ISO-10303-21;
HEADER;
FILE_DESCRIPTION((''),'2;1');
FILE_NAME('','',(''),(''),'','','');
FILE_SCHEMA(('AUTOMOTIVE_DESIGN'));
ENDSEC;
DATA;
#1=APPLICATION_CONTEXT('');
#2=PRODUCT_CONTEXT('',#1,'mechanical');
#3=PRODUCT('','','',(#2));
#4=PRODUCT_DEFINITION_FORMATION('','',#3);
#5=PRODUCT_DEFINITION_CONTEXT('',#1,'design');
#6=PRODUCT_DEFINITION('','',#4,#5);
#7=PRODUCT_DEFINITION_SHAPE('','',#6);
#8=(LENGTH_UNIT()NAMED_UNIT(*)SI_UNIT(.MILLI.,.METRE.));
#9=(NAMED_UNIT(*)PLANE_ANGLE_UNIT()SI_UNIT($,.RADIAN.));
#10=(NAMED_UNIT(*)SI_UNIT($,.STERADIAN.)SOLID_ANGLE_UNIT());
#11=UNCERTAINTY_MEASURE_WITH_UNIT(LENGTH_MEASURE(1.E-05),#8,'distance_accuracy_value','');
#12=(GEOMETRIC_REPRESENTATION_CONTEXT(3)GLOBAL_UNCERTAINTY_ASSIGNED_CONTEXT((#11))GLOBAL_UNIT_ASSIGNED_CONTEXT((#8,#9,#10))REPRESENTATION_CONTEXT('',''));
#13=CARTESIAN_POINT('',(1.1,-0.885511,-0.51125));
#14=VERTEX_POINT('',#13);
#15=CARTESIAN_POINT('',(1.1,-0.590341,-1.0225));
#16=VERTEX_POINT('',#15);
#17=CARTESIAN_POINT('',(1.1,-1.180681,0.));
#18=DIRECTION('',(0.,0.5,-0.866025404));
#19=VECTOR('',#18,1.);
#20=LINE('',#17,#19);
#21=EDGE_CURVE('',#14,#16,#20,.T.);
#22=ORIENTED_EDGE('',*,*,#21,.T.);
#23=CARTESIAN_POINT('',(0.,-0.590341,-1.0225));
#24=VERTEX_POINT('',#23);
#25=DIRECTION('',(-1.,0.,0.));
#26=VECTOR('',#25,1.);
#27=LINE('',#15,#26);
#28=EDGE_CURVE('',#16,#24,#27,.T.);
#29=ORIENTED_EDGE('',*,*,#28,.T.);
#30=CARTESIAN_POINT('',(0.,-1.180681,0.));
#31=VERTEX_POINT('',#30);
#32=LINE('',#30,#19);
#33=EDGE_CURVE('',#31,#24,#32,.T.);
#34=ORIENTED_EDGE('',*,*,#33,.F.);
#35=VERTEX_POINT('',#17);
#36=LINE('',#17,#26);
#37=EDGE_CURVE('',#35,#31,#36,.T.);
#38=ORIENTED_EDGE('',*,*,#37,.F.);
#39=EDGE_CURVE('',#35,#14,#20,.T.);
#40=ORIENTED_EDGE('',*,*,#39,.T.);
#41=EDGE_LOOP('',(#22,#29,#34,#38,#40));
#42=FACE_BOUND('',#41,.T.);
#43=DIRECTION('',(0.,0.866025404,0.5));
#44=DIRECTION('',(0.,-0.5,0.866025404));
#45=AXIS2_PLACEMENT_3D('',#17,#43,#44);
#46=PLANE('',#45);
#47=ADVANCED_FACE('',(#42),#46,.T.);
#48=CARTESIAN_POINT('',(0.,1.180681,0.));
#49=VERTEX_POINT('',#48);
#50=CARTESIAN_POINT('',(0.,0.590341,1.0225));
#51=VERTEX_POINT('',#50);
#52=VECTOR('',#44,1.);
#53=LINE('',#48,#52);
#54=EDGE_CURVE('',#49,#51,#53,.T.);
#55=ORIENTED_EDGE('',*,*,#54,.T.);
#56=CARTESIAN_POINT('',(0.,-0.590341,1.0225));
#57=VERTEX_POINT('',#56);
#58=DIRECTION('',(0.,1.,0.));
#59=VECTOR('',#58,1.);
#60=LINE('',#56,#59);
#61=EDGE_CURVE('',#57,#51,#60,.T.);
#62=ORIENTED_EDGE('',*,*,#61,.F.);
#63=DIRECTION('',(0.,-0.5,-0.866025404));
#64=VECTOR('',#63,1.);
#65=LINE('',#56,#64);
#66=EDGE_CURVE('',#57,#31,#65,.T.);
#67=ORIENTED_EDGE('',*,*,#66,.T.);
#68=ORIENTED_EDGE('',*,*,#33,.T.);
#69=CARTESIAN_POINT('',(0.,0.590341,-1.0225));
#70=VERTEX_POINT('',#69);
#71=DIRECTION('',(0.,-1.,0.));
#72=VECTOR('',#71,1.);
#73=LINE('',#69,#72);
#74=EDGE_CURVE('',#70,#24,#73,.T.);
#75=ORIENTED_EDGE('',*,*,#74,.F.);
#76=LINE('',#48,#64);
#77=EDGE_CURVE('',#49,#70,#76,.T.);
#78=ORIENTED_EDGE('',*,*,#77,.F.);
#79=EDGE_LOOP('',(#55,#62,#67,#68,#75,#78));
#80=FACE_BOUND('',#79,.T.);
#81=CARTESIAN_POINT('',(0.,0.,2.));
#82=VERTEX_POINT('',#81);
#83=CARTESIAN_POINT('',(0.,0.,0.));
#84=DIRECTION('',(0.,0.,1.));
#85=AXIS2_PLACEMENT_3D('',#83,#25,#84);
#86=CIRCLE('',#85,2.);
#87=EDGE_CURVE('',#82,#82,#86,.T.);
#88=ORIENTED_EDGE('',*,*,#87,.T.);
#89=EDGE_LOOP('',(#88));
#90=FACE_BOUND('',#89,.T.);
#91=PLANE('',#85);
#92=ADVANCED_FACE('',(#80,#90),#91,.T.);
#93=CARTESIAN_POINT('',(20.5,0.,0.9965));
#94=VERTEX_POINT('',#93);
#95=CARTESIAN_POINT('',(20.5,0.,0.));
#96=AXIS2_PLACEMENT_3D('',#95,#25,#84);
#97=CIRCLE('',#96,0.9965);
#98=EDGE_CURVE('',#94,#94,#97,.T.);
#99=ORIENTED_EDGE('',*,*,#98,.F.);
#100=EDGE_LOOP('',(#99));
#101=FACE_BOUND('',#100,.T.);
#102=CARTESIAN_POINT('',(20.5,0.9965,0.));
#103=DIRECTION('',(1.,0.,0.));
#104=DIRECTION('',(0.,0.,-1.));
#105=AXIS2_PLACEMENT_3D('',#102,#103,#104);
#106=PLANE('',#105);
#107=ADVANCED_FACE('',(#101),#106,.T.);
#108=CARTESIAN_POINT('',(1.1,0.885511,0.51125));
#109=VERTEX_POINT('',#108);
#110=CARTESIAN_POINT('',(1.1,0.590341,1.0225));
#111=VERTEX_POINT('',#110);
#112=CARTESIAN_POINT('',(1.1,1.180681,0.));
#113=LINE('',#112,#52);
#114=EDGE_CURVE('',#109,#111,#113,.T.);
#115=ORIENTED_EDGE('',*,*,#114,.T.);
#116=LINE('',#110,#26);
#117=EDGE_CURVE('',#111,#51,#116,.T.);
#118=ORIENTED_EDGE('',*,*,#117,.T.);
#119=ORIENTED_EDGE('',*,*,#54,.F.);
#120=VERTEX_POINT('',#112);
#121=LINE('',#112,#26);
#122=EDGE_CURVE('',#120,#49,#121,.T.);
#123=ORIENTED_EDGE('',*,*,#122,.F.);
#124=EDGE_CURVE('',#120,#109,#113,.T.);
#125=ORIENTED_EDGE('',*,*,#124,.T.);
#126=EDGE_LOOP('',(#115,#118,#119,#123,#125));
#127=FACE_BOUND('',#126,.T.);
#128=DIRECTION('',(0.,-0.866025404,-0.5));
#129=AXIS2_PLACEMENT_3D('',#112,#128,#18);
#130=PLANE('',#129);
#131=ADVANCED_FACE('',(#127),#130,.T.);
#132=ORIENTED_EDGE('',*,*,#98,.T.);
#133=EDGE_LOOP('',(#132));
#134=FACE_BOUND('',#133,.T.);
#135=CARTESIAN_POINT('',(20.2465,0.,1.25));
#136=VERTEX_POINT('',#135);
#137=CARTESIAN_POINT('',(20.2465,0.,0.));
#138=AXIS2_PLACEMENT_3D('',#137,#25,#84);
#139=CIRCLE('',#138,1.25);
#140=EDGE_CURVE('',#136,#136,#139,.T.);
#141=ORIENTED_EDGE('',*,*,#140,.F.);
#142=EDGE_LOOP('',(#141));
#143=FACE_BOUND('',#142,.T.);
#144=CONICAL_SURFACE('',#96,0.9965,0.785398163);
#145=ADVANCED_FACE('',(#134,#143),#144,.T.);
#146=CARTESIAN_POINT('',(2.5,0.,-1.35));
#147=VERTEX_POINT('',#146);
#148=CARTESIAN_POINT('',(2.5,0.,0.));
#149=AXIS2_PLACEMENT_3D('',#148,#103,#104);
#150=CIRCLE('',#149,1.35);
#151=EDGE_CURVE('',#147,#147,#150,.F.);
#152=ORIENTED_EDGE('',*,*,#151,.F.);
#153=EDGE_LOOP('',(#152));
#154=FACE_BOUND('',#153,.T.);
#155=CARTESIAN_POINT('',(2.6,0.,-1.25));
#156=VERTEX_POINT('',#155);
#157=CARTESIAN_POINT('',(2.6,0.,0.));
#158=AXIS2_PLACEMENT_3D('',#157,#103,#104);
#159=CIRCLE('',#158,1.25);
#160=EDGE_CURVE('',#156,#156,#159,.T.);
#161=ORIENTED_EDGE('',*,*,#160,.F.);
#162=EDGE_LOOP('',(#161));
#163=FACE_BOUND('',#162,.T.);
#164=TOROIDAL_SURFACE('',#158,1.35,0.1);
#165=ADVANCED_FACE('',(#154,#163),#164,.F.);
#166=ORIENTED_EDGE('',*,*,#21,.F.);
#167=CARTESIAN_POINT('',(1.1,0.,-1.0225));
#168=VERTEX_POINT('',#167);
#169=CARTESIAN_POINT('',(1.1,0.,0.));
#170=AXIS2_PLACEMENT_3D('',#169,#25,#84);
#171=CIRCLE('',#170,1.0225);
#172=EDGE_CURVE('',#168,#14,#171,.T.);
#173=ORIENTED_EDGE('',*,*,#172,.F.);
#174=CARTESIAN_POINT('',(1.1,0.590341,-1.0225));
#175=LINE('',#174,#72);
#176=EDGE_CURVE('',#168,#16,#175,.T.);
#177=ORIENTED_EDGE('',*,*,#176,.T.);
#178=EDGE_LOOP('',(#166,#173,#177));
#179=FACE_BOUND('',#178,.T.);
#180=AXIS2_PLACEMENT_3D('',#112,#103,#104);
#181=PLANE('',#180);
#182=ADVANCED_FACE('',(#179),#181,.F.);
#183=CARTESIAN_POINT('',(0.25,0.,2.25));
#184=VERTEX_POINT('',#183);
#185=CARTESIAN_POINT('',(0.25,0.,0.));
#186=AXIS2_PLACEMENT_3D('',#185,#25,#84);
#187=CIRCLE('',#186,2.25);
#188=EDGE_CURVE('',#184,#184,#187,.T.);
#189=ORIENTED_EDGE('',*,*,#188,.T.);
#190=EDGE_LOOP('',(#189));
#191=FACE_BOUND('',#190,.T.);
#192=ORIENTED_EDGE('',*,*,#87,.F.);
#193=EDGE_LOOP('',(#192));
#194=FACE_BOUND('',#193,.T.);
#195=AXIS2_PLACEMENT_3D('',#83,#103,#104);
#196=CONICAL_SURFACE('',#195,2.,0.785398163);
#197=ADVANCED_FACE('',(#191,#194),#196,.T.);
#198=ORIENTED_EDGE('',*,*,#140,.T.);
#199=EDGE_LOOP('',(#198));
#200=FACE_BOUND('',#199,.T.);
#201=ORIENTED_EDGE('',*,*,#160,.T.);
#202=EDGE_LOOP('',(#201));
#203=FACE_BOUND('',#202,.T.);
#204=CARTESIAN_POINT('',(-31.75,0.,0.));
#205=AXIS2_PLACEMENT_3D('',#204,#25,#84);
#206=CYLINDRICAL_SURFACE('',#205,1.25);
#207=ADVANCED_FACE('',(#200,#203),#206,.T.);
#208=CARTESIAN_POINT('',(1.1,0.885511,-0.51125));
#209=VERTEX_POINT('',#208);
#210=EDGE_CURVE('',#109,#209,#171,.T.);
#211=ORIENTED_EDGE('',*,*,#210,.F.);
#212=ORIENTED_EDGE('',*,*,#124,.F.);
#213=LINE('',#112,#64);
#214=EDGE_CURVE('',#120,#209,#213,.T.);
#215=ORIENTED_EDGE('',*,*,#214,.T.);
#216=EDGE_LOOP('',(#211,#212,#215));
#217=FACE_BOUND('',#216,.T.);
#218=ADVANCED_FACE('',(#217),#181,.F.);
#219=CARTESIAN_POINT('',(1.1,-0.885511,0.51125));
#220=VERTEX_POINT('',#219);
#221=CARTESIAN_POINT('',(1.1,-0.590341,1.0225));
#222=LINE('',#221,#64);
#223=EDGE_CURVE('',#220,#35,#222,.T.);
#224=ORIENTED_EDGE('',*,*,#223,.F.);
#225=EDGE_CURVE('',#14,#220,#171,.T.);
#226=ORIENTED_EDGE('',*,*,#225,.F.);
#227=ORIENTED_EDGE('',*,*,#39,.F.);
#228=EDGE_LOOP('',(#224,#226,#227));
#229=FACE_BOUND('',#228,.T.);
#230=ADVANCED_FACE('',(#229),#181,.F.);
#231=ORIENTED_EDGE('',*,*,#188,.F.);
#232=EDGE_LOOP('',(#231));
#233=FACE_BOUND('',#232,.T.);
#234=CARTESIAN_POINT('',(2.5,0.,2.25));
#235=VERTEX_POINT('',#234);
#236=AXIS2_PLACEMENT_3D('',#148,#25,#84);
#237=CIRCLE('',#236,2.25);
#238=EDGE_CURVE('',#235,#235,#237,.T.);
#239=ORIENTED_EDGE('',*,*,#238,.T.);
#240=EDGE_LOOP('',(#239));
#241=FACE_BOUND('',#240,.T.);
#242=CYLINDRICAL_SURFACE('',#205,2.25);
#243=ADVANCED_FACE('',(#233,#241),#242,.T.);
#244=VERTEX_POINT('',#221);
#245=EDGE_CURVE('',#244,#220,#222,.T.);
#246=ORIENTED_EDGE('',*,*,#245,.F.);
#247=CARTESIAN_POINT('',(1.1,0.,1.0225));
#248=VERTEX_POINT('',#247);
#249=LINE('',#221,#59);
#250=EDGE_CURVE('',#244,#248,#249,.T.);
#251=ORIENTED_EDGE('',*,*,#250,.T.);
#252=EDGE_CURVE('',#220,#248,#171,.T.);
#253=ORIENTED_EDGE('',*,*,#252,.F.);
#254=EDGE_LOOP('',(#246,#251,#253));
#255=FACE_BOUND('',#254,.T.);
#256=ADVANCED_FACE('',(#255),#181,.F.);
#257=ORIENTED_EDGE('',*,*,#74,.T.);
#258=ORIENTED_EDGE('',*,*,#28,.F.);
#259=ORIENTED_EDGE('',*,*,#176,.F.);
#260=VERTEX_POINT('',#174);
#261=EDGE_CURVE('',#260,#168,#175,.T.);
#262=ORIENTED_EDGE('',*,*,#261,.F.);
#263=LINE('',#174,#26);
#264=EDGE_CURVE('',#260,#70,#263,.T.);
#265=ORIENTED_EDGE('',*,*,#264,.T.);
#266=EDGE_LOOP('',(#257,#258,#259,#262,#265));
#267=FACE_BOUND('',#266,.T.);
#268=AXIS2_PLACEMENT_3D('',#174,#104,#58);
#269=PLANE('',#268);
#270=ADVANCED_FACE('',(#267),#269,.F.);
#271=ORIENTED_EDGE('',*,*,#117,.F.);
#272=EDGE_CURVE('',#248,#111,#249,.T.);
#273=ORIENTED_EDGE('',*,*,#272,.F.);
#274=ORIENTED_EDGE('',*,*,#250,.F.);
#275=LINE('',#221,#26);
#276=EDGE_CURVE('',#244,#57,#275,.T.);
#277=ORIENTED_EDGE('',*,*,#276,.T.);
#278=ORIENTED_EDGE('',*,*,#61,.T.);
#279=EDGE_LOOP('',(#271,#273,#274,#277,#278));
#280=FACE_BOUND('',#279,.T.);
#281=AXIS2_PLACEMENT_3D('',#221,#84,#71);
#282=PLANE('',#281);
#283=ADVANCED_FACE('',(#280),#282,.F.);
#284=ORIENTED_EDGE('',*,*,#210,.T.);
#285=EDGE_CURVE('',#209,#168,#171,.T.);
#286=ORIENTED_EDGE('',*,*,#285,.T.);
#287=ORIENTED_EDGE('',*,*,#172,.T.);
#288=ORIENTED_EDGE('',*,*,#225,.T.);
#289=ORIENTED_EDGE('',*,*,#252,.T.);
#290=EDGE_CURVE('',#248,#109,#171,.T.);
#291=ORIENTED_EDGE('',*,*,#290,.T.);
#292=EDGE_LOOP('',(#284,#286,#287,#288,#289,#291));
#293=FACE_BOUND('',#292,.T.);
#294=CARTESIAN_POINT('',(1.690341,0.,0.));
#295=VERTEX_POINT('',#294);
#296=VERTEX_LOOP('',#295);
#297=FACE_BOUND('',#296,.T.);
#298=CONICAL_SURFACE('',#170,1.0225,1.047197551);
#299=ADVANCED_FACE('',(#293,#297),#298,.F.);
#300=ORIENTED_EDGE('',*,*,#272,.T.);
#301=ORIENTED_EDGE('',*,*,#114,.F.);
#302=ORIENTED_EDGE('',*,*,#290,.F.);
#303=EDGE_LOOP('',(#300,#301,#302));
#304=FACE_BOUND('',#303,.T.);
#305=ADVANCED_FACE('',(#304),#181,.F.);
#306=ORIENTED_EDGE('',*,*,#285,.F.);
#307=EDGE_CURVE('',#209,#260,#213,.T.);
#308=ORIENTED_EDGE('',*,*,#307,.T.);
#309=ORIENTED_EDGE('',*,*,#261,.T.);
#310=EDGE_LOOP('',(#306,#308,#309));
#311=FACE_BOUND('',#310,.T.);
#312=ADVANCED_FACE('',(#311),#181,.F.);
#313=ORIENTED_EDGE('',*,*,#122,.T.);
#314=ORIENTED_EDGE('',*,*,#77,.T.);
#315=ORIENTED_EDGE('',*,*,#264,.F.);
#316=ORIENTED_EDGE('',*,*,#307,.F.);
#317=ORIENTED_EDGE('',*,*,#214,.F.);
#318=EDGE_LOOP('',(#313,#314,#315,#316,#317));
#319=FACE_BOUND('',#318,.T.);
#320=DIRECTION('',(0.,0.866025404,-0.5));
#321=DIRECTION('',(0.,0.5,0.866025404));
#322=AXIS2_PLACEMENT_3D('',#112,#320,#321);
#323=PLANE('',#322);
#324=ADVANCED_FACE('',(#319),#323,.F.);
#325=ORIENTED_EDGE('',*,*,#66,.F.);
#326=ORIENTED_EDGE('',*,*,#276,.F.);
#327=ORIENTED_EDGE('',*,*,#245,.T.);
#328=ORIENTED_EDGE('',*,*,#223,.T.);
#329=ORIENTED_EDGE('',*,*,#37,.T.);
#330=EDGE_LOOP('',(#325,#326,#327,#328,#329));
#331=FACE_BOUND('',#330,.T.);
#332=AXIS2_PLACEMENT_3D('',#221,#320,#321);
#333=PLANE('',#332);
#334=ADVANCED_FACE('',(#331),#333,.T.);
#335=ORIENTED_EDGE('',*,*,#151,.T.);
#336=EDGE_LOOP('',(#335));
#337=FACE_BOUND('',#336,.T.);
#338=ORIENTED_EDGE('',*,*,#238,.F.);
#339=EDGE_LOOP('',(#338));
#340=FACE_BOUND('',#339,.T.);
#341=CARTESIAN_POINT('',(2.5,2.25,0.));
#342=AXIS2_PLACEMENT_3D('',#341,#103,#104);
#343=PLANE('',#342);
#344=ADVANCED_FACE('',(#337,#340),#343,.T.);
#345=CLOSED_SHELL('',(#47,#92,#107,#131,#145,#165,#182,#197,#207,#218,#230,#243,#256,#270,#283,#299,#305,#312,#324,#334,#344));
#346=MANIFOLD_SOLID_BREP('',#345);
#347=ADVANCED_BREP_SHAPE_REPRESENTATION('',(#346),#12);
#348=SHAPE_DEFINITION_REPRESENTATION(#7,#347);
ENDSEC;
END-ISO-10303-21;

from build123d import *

# Parameters (mm, degrees)
FILLET1_R   = 0.1
HEX_2_DEPTH = 1.1


with BuildPart() as part:
    # BodySke → Base-Revolve (revolve)
    with BuildSketch(Plane.XY, mode=Mode.PRIVATE) as base_revolve_sk:
        Polygon((0, 0), (0, 2), (0.25, 2.25), (2.5, 2.25), (2.5, 1.25), (20.2465, 1.25), (20.5, 0.9965), (20.5, 0), align=None)
    revolve(base_revolve_sk.sketch.rotate(Axis((-31.75, 0, 0), (1, 0, 0)), 90), axis=Axis((-31.75, 0, 0), (1, 0, 0)))

    # Fillet1
    fillet1_edges = [part.edges().sort_by_distance(p)[0] for p in [
        (2.5, 0, -1.25),
    ]]
    fillet(fillet1_edges, radius=FILLET1_R)

    # Sketch2 → Hex-PreBroach (revolve, cut)
    with BuildSketch(Plane.XY, mode=Mode.PRIVATE) as hex_prebroach_sk:
        Polygon((0, 1.0225), (1.1, 1.0225), (1.69034065, 0), (0, 0), align=None)
    revolve(hex_prebroach_sk.sketch.rotate(Axis((0, 0, 0), (1, 0, 0)), 90), axis=Axis((0, 0, 0), (1, 0, 0)), mode=Mode.SUBTRACT)

    # Sketch3 → Hex 2 (cut)
    with BuildSketch(Plane(origin=(0, 0, 0), x_dir=(0, 0.500000000000001, 0.866025403784438), z_dir=(-1, 0, 0))):
        Polygon((0.59034065, 1.0225), (-0.59034065, 1.0225), (-1.1806813, 0), (-0.59034065, -1.0225), (0.59034065, -1.0225), (1.1806813, 0), align=None)
    extrude(amount=-HEX_2_DEPTH, mode=Mode.SUBTRACT)


solid = part.part
